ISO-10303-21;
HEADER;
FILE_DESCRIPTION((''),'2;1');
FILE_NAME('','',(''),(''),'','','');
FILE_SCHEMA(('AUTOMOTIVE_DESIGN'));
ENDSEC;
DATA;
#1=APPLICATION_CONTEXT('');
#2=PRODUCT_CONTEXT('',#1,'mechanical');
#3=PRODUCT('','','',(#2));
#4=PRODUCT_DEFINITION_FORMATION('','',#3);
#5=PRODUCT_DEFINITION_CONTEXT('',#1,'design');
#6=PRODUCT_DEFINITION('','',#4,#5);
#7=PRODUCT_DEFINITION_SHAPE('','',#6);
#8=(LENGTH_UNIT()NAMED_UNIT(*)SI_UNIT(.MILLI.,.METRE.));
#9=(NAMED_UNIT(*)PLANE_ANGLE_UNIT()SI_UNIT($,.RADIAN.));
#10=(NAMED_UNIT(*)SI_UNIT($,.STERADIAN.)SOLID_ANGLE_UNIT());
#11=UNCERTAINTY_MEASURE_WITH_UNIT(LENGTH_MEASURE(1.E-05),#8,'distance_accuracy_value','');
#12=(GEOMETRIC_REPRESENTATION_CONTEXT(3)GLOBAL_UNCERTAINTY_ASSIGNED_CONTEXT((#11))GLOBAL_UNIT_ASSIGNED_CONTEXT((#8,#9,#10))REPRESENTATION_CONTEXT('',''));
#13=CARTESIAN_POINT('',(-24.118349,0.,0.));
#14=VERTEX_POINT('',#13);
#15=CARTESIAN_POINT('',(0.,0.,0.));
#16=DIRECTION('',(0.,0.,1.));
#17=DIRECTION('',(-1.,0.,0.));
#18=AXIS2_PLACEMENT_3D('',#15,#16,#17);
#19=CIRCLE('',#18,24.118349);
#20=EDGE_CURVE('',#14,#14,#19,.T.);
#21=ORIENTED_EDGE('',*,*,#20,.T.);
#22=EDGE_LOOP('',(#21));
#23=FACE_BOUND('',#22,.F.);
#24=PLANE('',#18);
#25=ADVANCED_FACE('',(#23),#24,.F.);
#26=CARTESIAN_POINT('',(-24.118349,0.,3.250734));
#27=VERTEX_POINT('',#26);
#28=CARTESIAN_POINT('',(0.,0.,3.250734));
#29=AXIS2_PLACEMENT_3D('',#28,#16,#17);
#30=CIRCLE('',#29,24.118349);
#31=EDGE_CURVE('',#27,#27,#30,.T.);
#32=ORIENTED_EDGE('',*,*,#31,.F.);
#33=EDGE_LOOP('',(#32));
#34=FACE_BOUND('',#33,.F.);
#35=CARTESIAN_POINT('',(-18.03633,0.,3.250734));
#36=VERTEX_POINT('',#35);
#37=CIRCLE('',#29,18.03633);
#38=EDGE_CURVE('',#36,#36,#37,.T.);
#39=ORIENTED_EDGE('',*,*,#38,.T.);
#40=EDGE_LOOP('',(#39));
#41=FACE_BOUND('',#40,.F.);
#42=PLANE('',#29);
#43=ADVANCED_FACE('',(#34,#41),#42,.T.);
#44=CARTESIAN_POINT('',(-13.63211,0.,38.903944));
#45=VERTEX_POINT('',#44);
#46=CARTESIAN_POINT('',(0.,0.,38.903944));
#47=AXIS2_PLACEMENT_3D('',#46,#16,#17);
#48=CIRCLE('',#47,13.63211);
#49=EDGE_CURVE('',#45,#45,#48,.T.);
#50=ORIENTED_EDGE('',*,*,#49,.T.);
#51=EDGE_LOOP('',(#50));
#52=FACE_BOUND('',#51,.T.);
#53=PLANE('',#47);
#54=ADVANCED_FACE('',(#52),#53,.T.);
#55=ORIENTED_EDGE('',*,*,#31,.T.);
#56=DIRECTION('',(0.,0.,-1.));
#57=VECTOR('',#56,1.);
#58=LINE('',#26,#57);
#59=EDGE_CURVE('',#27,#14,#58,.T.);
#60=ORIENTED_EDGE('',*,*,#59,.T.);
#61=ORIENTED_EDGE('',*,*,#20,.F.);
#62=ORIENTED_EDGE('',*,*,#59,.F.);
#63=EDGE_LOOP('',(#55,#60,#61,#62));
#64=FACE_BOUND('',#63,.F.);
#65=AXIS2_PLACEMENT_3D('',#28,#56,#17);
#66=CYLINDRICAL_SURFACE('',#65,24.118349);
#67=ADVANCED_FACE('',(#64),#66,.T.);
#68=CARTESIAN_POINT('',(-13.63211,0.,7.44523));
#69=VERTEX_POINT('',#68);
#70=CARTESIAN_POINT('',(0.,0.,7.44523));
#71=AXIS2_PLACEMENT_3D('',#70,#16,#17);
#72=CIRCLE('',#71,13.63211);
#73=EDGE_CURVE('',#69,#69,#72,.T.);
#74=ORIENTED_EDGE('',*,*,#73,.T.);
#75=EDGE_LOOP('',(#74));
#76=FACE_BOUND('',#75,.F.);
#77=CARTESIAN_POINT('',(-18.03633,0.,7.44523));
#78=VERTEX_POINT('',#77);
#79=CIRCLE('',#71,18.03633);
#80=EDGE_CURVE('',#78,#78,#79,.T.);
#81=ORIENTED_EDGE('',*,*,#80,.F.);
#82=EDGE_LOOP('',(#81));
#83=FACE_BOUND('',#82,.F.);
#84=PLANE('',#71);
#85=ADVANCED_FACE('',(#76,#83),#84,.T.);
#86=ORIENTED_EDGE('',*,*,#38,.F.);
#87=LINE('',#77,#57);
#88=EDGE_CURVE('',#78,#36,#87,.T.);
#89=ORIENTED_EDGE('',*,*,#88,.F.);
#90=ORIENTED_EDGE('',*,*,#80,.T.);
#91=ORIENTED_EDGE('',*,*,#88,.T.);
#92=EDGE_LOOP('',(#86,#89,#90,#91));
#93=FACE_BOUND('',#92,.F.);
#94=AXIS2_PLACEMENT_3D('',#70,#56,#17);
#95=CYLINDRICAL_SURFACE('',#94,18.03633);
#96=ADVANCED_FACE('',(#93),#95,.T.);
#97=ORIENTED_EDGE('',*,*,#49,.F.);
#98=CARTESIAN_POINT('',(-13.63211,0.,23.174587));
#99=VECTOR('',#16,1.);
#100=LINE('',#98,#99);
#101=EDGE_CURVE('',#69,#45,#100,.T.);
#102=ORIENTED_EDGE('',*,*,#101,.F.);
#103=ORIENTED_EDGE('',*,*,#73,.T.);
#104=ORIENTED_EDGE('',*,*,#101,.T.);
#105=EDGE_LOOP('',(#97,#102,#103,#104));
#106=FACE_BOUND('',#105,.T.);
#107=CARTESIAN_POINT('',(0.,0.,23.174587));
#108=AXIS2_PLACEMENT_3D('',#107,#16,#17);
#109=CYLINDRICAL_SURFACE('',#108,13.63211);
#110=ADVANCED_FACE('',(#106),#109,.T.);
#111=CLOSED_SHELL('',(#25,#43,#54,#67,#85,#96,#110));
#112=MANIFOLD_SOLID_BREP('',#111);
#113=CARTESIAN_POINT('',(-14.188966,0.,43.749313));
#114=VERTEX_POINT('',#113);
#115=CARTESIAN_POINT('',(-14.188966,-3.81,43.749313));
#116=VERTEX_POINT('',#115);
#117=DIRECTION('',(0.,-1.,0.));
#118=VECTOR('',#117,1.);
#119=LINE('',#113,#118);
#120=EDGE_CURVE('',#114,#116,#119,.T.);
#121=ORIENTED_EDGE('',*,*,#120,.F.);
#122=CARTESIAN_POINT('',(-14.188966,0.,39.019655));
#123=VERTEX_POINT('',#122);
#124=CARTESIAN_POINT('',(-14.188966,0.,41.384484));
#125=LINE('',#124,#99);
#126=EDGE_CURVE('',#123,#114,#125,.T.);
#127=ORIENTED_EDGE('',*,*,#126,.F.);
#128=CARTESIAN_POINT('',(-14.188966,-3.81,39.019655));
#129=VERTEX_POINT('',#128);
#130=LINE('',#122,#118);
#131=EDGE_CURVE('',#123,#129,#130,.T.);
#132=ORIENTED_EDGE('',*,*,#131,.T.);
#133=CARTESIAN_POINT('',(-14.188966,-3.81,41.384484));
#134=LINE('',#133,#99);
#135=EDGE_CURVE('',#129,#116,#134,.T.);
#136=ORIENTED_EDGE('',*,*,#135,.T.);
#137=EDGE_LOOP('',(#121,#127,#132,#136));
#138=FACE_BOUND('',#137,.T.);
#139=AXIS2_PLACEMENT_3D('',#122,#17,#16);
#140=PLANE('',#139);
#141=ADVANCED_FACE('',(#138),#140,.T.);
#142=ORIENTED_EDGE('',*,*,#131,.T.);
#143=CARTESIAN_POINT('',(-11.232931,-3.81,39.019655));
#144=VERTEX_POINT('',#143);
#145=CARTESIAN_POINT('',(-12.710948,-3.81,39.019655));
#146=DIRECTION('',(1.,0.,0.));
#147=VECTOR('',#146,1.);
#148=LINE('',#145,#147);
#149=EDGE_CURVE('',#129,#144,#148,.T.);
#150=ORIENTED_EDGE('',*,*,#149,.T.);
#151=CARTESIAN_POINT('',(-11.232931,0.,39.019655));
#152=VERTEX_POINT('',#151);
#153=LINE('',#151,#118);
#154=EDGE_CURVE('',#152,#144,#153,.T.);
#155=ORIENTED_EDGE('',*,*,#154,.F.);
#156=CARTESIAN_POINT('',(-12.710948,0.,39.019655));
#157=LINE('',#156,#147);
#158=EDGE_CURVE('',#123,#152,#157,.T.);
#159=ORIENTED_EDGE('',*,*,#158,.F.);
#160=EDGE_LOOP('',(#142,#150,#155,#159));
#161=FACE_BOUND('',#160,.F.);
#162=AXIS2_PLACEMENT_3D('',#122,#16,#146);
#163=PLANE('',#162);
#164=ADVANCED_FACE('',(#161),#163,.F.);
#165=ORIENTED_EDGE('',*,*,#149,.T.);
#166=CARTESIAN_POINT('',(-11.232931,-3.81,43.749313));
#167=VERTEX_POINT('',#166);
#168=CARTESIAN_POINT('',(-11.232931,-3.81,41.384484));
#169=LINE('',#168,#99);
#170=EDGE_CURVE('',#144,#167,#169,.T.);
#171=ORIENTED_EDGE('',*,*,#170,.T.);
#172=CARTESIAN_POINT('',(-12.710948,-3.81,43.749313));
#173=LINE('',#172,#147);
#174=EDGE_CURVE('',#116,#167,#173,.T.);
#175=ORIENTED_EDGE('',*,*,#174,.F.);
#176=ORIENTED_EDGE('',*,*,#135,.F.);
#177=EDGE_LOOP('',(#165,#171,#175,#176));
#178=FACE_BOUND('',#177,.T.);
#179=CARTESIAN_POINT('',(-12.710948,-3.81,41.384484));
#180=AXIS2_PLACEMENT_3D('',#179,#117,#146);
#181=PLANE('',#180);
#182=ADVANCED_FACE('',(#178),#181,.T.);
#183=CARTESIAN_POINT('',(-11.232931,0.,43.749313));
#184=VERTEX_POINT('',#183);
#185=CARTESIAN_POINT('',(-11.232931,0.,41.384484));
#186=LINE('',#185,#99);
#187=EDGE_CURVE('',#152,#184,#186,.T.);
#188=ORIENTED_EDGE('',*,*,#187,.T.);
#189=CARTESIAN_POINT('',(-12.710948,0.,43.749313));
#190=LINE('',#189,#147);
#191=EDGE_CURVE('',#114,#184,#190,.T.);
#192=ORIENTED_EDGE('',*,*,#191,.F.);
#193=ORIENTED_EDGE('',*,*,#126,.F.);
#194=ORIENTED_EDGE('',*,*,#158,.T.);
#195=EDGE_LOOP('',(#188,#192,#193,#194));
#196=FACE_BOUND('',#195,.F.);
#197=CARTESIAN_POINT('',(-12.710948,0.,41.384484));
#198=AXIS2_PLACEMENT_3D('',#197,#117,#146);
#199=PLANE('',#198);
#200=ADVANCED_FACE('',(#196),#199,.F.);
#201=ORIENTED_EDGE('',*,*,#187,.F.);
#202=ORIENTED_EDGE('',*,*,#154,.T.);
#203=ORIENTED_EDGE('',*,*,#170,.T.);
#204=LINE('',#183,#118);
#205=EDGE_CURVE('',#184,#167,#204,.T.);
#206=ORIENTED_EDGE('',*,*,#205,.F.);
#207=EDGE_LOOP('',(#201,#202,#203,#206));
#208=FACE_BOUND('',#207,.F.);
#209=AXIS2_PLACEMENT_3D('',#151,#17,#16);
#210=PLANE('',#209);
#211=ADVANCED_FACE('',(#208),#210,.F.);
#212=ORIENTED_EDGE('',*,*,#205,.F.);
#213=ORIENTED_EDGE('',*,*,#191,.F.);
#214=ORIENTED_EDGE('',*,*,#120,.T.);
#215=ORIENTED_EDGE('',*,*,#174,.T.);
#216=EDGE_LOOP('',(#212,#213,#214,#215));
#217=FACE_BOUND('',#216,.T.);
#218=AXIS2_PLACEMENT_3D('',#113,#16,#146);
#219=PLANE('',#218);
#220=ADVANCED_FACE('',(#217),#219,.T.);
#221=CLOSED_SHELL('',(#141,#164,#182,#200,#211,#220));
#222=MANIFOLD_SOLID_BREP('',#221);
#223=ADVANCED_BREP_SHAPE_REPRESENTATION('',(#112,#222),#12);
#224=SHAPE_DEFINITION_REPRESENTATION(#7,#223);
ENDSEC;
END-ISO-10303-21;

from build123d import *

# Parameters (mm, degrees)
F0_W     = 13.63211
F0_H     = 31.458714
F2_W     = 2.956035
F2_H     = 4.729659
F3_DEPTH = 3.81


with BuildPart() as f1:
    # F0 (on Front) → F1 (revolve)
    with BuildSketch(Plane.XZ):
        with Locations((-6.816055, 23.174587)):
            Rectangle(F0_W, F0_H)
        Polygon((-18.03633, 3.250734), (0, 3.250734), (0, 7.44523), (-13.63211, 7.44523), (-18.03633, 7.44523), align=None)
        Polygon((-24.118349, 0), (0, 0), (0, 3.250734), (-18.03633, 3.250734), (-24.118349, 3.250734), align=None)
    revolve(axis=Axis((0, 0, 23.174587), (0, 0, 1)))


with BuildPart() as f3:
    # F2 (on Front) → F3 (new body)
    with BuildSketch(Plane.XZ):
        with Locations((-12.710948, 41.384484)):
            Rectangle(F2_W, F2_H)
    extrude(amount=F3_DEPTH)


solid = Compound([f1.part, f3.part])
